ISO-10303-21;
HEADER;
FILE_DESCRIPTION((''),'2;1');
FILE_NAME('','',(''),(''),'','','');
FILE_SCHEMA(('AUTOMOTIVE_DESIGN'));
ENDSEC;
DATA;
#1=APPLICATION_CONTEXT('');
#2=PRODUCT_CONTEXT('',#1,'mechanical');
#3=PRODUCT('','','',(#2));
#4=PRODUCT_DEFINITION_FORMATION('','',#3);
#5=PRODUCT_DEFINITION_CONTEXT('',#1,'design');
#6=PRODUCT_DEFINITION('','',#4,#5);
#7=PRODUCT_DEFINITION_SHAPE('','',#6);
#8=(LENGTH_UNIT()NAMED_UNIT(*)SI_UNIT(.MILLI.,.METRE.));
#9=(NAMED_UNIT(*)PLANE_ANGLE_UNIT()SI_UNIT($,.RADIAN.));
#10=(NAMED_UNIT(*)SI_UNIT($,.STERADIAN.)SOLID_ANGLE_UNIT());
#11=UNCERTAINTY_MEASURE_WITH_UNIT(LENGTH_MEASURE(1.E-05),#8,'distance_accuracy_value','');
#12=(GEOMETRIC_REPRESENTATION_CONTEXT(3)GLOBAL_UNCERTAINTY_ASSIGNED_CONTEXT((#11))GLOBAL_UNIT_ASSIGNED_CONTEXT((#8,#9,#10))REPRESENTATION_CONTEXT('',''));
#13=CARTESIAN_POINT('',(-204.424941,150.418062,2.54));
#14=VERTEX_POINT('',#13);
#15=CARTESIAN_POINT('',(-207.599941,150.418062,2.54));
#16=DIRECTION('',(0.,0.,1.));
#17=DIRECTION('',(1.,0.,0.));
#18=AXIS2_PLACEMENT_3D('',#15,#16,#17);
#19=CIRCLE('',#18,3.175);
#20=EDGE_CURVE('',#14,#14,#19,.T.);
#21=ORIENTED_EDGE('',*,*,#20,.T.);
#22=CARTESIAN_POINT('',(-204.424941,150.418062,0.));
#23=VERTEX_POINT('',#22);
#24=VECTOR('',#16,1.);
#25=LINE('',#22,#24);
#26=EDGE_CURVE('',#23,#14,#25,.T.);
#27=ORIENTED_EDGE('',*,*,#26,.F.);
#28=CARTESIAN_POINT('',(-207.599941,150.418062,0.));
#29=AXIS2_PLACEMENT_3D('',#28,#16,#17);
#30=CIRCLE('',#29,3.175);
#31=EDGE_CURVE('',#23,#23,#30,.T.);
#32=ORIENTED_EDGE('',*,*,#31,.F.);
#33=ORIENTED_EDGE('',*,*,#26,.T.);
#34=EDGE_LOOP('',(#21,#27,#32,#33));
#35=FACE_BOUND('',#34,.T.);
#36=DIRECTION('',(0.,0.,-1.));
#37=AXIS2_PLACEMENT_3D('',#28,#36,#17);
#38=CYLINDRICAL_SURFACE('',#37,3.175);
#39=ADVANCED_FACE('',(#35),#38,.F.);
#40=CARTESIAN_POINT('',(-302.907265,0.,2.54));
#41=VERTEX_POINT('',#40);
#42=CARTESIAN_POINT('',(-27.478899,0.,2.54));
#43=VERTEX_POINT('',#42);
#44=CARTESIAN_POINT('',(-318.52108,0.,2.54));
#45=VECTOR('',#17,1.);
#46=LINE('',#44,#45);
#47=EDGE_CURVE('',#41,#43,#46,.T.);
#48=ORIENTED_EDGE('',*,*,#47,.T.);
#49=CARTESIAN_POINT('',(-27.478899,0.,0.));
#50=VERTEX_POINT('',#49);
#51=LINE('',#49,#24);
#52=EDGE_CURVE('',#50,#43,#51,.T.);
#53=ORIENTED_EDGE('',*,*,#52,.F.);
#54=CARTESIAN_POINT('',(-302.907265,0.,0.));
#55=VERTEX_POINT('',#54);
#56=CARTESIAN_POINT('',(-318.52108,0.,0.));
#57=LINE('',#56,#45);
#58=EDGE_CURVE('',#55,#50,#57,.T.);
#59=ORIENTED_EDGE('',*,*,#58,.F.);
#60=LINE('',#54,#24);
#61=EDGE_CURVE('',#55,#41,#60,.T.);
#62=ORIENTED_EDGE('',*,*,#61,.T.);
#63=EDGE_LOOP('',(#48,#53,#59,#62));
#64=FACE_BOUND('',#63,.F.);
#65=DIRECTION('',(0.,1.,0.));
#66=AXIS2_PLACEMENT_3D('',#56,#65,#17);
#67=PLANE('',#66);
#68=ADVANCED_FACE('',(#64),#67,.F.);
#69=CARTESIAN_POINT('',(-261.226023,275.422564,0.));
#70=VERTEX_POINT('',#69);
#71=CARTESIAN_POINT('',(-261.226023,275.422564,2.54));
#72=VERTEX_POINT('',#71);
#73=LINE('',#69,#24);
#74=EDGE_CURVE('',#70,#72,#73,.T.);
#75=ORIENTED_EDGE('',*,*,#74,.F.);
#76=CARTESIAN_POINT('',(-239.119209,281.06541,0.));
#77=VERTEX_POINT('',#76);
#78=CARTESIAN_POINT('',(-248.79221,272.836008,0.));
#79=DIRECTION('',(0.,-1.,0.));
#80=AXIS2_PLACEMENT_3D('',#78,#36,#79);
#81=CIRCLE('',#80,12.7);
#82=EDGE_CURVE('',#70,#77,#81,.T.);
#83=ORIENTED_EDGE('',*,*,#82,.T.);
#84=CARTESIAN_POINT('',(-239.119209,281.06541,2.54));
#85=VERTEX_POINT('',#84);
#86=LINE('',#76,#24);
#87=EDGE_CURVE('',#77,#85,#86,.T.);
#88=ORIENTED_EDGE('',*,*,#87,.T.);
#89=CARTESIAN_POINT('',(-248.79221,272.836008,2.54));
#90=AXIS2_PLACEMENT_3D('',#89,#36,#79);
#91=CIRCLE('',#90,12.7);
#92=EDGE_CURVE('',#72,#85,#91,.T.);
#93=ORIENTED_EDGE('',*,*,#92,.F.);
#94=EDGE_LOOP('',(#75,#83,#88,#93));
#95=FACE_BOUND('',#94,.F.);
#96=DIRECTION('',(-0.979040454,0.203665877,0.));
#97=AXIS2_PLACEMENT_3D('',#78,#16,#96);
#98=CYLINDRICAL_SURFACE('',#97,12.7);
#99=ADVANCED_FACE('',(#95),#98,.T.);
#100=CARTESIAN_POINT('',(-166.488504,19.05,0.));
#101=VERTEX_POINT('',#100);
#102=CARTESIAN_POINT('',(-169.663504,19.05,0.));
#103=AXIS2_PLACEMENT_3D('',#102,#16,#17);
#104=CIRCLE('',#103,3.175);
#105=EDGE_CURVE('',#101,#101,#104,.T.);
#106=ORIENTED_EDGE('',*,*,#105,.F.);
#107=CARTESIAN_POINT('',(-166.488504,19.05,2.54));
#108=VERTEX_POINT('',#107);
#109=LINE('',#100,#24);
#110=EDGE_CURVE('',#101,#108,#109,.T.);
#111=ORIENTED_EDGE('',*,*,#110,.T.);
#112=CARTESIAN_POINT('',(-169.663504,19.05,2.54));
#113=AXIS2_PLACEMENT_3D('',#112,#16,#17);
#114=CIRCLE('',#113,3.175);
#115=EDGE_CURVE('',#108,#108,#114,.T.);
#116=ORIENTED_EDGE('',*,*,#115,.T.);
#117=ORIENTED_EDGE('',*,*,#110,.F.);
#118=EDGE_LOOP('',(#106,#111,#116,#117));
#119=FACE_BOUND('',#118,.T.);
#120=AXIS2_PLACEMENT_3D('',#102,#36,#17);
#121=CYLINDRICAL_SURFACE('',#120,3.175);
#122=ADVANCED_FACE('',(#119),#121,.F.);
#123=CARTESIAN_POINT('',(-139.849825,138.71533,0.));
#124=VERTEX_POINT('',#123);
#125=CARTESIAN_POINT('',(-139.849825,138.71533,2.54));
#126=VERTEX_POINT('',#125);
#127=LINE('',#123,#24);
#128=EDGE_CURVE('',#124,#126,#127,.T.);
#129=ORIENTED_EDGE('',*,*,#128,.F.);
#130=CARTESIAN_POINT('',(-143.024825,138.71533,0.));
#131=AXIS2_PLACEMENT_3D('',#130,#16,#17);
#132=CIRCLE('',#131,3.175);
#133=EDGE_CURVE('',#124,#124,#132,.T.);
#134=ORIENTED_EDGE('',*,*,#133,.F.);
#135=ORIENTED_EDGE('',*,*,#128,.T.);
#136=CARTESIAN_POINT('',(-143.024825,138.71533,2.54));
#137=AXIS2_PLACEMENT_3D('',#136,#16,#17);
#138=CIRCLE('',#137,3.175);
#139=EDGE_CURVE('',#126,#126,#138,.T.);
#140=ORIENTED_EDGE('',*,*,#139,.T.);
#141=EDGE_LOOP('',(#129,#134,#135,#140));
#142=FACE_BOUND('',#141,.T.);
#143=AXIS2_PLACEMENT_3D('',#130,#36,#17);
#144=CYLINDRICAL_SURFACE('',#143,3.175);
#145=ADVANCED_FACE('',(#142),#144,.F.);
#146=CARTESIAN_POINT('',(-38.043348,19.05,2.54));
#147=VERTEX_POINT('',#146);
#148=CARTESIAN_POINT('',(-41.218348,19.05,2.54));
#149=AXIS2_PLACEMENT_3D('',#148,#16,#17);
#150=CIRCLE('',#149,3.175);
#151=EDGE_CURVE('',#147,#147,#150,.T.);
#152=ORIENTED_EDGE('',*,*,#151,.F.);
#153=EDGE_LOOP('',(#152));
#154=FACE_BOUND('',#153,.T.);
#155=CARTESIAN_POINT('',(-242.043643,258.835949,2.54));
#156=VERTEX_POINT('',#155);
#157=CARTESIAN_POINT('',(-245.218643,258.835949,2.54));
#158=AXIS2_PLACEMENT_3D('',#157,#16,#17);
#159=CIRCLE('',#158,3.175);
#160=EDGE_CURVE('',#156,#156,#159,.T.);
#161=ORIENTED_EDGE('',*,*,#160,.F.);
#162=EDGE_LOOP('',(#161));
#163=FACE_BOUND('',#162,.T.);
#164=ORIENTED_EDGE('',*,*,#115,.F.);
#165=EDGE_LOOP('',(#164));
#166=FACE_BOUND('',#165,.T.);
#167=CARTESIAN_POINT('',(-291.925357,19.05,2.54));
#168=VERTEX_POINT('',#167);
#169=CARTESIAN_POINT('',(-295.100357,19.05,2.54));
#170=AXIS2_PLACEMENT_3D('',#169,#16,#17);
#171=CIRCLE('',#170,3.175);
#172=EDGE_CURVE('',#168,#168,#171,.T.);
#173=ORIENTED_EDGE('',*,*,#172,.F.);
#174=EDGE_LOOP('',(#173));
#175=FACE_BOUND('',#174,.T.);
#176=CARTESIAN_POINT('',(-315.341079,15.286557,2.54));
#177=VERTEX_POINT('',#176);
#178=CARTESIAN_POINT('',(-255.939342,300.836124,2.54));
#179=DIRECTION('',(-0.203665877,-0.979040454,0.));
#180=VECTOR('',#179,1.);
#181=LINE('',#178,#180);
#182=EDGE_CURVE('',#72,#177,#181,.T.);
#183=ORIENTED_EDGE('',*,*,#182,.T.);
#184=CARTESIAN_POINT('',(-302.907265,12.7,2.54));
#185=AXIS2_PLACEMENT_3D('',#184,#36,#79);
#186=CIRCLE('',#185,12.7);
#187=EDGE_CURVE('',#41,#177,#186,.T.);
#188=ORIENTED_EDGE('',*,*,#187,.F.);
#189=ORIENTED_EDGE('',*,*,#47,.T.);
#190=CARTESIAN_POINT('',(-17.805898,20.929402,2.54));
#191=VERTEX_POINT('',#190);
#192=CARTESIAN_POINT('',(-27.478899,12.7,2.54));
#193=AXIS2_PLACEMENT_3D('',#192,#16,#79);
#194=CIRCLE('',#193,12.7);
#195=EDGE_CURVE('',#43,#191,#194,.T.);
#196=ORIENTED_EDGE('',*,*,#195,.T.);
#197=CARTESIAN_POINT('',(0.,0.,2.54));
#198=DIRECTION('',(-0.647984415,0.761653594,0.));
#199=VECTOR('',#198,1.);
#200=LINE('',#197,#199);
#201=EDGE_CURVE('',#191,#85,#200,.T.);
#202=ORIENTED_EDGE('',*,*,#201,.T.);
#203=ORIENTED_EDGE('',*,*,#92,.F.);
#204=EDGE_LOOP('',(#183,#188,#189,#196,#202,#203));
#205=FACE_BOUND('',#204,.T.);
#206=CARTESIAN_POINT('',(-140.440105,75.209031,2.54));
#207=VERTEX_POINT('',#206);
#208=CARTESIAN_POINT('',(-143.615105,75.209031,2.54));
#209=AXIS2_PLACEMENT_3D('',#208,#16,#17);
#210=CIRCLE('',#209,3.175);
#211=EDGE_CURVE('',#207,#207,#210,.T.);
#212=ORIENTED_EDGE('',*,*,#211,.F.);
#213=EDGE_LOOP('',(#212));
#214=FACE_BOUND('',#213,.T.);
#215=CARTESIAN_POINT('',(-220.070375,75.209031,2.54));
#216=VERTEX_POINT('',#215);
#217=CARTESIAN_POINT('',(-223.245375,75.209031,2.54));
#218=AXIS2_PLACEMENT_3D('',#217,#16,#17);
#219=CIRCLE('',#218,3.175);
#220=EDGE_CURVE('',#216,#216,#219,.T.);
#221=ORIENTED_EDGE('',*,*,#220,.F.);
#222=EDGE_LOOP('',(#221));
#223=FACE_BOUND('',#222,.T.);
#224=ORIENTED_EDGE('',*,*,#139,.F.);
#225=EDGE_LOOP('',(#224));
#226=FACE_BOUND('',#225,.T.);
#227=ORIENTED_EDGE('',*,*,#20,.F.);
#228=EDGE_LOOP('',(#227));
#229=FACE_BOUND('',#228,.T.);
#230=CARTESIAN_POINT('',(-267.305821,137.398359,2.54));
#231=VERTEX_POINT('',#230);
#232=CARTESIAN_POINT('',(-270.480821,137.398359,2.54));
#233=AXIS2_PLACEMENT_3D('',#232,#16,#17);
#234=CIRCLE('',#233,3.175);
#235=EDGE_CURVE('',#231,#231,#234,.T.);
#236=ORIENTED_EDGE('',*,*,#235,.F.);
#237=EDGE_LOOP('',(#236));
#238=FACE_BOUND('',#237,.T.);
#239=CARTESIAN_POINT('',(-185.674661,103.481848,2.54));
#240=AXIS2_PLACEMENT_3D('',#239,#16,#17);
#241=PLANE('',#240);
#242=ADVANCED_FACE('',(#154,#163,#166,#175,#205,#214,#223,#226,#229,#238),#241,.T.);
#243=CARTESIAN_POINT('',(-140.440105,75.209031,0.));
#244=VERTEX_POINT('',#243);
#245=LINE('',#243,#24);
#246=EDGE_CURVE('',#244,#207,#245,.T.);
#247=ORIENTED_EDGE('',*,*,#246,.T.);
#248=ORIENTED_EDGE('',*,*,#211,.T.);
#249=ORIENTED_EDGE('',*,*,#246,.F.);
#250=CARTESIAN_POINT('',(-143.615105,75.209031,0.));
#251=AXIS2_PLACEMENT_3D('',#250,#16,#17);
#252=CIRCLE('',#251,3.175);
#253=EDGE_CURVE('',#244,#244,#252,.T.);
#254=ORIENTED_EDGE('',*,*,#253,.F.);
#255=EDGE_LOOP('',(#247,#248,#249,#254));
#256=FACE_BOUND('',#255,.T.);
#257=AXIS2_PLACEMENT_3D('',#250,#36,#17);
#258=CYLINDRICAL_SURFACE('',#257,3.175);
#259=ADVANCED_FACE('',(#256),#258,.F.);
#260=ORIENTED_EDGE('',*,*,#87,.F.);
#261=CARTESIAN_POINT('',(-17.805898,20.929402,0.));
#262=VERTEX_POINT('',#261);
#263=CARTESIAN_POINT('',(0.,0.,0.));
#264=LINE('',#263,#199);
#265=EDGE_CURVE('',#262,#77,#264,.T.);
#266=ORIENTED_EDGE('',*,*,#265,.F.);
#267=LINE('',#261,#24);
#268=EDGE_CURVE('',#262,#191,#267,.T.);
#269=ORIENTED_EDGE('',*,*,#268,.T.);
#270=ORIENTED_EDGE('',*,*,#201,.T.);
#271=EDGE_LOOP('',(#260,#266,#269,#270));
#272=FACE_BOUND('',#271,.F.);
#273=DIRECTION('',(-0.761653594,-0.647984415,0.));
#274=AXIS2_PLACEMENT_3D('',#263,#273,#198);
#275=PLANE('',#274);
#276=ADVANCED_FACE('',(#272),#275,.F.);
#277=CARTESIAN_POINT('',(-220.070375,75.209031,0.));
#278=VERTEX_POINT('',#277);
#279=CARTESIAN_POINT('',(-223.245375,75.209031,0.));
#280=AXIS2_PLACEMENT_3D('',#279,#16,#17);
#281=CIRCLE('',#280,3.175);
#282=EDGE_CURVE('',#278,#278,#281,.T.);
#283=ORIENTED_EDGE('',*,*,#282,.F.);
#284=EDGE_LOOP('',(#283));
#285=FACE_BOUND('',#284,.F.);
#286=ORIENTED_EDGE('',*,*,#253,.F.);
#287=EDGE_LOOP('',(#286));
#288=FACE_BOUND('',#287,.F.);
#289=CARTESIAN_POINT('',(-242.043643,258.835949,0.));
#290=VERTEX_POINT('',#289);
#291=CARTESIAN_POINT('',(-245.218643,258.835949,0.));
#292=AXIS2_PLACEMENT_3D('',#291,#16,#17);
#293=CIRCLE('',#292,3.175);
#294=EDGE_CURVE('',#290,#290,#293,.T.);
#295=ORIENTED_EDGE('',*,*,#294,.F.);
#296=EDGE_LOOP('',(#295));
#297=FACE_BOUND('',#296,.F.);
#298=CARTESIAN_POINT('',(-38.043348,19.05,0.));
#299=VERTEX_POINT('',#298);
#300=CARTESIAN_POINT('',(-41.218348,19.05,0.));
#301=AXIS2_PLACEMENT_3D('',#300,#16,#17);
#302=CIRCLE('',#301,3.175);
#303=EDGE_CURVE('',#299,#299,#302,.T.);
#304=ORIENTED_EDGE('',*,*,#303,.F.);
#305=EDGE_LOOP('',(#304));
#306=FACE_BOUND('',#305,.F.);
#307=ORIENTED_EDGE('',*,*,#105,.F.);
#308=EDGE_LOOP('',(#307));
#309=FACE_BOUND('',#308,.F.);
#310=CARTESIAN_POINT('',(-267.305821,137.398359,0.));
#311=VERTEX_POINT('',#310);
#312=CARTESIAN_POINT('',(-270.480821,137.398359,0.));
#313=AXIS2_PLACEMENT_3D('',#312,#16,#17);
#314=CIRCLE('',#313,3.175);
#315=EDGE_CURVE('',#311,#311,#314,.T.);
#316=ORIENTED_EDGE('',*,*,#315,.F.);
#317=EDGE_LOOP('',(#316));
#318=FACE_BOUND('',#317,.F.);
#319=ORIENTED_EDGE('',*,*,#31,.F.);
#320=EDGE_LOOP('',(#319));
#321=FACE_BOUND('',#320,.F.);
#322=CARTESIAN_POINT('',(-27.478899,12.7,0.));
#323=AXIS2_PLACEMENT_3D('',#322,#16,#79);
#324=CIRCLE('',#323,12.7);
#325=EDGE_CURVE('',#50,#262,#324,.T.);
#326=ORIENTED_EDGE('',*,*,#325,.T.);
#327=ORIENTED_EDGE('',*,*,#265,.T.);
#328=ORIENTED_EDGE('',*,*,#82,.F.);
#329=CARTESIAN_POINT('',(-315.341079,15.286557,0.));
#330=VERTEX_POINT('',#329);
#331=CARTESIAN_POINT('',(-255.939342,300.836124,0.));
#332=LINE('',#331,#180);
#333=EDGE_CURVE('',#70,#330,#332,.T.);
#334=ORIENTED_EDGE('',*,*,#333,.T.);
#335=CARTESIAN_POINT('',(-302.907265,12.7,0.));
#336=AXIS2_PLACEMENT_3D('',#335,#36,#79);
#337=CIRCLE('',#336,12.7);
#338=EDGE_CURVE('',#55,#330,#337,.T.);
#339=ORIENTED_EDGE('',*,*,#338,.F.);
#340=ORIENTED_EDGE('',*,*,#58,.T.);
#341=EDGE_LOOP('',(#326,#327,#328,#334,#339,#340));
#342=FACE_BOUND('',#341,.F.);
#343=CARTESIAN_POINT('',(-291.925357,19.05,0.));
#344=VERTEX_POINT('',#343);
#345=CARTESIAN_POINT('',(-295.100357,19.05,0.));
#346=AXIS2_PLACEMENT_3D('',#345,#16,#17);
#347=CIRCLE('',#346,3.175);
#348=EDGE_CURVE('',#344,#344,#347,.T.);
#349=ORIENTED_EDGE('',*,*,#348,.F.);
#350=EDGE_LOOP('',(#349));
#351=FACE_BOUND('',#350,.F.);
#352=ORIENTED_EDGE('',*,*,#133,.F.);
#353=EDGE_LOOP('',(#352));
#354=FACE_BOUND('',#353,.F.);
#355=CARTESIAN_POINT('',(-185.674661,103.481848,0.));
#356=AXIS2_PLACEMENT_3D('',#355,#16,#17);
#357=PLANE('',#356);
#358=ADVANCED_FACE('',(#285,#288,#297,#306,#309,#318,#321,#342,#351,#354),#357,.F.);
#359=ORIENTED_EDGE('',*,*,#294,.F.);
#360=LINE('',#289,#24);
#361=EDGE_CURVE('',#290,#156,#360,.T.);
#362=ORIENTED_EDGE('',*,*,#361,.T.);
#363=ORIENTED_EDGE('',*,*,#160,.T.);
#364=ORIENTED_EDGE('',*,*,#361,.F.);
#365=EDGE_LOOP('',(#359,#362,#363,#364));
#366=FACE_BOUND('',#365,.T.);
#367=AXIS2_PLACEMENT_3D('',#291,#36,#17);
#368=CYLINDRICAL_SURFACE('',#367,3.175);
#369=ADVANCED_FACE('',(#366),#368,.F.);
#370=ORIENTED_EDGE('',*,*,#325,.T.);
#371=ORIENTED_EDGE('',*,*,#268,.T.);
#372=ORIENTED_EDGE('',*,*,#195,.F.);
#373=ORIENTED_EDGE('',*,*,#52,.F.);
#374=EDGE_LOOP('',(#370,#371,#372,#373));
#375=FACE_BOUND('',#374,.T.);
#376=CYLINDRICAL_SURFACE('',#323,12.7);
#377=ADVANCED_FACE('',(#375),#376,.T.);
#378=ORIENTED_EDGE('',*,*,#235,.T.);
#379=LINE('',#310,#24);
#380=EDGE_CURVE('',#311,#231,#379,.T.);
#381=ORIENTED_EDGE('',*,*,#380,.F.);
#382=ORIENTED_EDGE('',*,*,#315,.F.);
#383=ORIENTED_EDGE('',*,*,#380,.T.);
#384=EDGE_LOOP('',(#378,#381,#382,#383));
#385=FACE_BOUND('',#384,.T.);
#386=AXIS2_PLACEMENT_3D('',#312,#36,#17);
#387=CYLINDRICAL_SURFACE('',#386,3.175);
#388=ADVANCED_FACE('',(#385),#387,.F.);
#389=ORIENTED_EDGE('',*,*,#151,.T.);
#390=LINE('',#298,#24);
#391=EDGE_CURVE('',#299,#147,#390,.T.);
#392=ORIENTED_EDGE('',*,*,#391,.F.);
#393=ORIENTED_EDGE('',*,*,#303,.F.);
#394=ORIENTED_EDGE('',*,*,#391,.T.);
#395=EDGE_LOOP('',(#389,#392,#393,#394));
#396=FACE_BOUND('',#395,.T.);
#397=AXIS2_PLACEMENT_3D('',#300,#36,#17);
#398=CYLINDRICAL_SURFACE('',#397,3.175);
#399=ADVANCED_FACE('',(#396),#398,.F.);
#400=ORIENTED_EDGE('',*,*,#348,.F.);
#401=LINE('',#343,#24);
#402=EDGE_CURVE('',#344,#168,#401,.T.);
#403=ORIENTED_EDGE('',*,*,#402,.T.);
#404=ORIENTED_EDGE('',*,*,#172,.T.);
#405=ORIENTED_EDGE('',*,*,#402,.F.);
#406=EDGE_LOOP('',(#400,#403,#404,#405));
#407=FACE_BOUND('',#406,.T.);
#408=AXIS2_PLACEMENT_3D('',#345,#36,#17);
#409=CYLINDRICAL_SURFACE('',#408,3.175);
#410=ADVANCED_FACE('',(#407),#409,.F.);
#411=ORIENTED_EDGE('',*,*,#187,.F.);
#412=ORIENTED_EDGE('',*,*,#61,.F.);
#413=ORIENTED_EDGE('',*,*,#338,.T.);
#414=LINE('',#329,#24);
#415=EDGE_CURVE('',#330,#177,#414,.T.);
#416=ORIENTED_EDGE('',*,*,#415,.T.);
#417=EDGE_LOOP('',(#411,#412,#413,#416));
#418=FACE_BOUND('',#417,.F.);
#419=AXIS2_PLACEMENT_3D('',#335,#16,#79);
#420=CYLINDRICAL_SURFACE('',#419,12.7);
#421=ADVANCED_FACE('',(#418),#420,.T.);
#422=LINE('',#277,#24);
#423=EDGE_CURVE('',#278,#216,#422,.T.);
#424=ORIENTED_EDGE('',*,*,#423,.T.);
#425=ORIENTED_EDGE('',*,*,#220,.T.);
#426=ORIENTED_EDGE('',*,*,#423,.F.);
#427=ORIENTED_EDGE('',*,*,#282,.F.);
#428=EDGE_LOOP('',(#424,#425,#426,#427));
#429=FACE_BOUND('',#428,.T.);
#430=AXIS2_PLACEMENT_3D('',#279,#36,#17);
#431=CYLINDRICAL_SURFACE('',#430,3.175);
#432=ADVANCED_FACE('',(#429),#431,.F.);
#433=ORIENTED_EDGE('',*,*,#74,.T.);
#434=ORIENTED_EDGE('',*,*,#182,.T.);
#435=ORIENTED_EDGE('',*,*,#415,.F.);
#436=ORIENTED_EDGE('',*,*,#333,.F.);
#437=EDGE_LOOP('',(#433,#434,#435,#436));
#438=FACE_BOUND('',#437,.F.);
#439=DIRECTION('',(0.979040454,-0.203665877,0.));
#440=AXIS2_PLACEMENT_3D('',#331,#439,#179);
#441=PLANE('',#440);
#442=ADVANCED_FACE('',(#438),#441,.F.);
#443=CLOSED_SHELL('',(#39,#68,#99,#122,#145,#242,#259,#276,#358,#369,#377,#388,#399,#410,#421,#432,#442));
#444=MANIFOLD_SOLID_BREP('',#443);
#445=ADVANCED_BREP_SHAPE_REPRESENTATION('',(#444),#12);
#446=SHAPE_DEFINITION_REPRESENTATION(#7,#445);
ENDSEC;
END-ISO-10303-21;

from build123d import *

# Parameters (mm, degrees)
F0_R     = 3.175
F1_DEPTH = 2.54
F2_R     = 12.7


with BuildPart() as f1:
    # F0 (on Top) → F1 (new body)
    with BuildSketch(Plane.XY):
        Polygon((-318.52108, 0), (0, 0), (-255.939342, 300.836124), align=None)
        with Locations((-295.100357, 19.05)):
            Circle(F0_R, mode=Mode.SUBTRACT)
        with Locations((-169.663504, 19.05)):
            Circle(F0_R, mode=Mode.SUBTRACT)
        with Locations((-270.480821, 137.398359)):
            Circle(F0_R, mode=Mode.SUBTRACT)
        with Locations((-223.245375, 75.209031)):
            Circle(F0_R, mode=Mode.SUBTRACT)
        with Locations((-41.218348, 19.05)):
            Circle(F0_R, mode=Mode.SUBTRACT)
        with Locations((-143.615105, 75.209031)):
            Circle(F0_R, mode=Mode.SUBTRACT)
        with Locations((-143.024825, 138.71533)):
            Circle(F0_R, mode=Mode.SUBTRACT)
        with Locations((-207.599941, 150.418062)):
            Circle(F0_R, mode=Mode.SUBTRACT)
        with Locations((-245.218643, 258.835949)):
            Circle(F0_R, mode=Mode.SUBTRACT)
    extrude(amount=F1_DEPTH)

    # F2
    f2_edges = [f1.edges().sort_by_distance(p)[0] for p in [
        (-318.52108, 0, 1.27),
        (0, 0, 1.27),
        (-255.939342, 300.836124, 1.27),
    ]]
    fillet(f2_edges, radius=F2_R)


solid = f1.part
